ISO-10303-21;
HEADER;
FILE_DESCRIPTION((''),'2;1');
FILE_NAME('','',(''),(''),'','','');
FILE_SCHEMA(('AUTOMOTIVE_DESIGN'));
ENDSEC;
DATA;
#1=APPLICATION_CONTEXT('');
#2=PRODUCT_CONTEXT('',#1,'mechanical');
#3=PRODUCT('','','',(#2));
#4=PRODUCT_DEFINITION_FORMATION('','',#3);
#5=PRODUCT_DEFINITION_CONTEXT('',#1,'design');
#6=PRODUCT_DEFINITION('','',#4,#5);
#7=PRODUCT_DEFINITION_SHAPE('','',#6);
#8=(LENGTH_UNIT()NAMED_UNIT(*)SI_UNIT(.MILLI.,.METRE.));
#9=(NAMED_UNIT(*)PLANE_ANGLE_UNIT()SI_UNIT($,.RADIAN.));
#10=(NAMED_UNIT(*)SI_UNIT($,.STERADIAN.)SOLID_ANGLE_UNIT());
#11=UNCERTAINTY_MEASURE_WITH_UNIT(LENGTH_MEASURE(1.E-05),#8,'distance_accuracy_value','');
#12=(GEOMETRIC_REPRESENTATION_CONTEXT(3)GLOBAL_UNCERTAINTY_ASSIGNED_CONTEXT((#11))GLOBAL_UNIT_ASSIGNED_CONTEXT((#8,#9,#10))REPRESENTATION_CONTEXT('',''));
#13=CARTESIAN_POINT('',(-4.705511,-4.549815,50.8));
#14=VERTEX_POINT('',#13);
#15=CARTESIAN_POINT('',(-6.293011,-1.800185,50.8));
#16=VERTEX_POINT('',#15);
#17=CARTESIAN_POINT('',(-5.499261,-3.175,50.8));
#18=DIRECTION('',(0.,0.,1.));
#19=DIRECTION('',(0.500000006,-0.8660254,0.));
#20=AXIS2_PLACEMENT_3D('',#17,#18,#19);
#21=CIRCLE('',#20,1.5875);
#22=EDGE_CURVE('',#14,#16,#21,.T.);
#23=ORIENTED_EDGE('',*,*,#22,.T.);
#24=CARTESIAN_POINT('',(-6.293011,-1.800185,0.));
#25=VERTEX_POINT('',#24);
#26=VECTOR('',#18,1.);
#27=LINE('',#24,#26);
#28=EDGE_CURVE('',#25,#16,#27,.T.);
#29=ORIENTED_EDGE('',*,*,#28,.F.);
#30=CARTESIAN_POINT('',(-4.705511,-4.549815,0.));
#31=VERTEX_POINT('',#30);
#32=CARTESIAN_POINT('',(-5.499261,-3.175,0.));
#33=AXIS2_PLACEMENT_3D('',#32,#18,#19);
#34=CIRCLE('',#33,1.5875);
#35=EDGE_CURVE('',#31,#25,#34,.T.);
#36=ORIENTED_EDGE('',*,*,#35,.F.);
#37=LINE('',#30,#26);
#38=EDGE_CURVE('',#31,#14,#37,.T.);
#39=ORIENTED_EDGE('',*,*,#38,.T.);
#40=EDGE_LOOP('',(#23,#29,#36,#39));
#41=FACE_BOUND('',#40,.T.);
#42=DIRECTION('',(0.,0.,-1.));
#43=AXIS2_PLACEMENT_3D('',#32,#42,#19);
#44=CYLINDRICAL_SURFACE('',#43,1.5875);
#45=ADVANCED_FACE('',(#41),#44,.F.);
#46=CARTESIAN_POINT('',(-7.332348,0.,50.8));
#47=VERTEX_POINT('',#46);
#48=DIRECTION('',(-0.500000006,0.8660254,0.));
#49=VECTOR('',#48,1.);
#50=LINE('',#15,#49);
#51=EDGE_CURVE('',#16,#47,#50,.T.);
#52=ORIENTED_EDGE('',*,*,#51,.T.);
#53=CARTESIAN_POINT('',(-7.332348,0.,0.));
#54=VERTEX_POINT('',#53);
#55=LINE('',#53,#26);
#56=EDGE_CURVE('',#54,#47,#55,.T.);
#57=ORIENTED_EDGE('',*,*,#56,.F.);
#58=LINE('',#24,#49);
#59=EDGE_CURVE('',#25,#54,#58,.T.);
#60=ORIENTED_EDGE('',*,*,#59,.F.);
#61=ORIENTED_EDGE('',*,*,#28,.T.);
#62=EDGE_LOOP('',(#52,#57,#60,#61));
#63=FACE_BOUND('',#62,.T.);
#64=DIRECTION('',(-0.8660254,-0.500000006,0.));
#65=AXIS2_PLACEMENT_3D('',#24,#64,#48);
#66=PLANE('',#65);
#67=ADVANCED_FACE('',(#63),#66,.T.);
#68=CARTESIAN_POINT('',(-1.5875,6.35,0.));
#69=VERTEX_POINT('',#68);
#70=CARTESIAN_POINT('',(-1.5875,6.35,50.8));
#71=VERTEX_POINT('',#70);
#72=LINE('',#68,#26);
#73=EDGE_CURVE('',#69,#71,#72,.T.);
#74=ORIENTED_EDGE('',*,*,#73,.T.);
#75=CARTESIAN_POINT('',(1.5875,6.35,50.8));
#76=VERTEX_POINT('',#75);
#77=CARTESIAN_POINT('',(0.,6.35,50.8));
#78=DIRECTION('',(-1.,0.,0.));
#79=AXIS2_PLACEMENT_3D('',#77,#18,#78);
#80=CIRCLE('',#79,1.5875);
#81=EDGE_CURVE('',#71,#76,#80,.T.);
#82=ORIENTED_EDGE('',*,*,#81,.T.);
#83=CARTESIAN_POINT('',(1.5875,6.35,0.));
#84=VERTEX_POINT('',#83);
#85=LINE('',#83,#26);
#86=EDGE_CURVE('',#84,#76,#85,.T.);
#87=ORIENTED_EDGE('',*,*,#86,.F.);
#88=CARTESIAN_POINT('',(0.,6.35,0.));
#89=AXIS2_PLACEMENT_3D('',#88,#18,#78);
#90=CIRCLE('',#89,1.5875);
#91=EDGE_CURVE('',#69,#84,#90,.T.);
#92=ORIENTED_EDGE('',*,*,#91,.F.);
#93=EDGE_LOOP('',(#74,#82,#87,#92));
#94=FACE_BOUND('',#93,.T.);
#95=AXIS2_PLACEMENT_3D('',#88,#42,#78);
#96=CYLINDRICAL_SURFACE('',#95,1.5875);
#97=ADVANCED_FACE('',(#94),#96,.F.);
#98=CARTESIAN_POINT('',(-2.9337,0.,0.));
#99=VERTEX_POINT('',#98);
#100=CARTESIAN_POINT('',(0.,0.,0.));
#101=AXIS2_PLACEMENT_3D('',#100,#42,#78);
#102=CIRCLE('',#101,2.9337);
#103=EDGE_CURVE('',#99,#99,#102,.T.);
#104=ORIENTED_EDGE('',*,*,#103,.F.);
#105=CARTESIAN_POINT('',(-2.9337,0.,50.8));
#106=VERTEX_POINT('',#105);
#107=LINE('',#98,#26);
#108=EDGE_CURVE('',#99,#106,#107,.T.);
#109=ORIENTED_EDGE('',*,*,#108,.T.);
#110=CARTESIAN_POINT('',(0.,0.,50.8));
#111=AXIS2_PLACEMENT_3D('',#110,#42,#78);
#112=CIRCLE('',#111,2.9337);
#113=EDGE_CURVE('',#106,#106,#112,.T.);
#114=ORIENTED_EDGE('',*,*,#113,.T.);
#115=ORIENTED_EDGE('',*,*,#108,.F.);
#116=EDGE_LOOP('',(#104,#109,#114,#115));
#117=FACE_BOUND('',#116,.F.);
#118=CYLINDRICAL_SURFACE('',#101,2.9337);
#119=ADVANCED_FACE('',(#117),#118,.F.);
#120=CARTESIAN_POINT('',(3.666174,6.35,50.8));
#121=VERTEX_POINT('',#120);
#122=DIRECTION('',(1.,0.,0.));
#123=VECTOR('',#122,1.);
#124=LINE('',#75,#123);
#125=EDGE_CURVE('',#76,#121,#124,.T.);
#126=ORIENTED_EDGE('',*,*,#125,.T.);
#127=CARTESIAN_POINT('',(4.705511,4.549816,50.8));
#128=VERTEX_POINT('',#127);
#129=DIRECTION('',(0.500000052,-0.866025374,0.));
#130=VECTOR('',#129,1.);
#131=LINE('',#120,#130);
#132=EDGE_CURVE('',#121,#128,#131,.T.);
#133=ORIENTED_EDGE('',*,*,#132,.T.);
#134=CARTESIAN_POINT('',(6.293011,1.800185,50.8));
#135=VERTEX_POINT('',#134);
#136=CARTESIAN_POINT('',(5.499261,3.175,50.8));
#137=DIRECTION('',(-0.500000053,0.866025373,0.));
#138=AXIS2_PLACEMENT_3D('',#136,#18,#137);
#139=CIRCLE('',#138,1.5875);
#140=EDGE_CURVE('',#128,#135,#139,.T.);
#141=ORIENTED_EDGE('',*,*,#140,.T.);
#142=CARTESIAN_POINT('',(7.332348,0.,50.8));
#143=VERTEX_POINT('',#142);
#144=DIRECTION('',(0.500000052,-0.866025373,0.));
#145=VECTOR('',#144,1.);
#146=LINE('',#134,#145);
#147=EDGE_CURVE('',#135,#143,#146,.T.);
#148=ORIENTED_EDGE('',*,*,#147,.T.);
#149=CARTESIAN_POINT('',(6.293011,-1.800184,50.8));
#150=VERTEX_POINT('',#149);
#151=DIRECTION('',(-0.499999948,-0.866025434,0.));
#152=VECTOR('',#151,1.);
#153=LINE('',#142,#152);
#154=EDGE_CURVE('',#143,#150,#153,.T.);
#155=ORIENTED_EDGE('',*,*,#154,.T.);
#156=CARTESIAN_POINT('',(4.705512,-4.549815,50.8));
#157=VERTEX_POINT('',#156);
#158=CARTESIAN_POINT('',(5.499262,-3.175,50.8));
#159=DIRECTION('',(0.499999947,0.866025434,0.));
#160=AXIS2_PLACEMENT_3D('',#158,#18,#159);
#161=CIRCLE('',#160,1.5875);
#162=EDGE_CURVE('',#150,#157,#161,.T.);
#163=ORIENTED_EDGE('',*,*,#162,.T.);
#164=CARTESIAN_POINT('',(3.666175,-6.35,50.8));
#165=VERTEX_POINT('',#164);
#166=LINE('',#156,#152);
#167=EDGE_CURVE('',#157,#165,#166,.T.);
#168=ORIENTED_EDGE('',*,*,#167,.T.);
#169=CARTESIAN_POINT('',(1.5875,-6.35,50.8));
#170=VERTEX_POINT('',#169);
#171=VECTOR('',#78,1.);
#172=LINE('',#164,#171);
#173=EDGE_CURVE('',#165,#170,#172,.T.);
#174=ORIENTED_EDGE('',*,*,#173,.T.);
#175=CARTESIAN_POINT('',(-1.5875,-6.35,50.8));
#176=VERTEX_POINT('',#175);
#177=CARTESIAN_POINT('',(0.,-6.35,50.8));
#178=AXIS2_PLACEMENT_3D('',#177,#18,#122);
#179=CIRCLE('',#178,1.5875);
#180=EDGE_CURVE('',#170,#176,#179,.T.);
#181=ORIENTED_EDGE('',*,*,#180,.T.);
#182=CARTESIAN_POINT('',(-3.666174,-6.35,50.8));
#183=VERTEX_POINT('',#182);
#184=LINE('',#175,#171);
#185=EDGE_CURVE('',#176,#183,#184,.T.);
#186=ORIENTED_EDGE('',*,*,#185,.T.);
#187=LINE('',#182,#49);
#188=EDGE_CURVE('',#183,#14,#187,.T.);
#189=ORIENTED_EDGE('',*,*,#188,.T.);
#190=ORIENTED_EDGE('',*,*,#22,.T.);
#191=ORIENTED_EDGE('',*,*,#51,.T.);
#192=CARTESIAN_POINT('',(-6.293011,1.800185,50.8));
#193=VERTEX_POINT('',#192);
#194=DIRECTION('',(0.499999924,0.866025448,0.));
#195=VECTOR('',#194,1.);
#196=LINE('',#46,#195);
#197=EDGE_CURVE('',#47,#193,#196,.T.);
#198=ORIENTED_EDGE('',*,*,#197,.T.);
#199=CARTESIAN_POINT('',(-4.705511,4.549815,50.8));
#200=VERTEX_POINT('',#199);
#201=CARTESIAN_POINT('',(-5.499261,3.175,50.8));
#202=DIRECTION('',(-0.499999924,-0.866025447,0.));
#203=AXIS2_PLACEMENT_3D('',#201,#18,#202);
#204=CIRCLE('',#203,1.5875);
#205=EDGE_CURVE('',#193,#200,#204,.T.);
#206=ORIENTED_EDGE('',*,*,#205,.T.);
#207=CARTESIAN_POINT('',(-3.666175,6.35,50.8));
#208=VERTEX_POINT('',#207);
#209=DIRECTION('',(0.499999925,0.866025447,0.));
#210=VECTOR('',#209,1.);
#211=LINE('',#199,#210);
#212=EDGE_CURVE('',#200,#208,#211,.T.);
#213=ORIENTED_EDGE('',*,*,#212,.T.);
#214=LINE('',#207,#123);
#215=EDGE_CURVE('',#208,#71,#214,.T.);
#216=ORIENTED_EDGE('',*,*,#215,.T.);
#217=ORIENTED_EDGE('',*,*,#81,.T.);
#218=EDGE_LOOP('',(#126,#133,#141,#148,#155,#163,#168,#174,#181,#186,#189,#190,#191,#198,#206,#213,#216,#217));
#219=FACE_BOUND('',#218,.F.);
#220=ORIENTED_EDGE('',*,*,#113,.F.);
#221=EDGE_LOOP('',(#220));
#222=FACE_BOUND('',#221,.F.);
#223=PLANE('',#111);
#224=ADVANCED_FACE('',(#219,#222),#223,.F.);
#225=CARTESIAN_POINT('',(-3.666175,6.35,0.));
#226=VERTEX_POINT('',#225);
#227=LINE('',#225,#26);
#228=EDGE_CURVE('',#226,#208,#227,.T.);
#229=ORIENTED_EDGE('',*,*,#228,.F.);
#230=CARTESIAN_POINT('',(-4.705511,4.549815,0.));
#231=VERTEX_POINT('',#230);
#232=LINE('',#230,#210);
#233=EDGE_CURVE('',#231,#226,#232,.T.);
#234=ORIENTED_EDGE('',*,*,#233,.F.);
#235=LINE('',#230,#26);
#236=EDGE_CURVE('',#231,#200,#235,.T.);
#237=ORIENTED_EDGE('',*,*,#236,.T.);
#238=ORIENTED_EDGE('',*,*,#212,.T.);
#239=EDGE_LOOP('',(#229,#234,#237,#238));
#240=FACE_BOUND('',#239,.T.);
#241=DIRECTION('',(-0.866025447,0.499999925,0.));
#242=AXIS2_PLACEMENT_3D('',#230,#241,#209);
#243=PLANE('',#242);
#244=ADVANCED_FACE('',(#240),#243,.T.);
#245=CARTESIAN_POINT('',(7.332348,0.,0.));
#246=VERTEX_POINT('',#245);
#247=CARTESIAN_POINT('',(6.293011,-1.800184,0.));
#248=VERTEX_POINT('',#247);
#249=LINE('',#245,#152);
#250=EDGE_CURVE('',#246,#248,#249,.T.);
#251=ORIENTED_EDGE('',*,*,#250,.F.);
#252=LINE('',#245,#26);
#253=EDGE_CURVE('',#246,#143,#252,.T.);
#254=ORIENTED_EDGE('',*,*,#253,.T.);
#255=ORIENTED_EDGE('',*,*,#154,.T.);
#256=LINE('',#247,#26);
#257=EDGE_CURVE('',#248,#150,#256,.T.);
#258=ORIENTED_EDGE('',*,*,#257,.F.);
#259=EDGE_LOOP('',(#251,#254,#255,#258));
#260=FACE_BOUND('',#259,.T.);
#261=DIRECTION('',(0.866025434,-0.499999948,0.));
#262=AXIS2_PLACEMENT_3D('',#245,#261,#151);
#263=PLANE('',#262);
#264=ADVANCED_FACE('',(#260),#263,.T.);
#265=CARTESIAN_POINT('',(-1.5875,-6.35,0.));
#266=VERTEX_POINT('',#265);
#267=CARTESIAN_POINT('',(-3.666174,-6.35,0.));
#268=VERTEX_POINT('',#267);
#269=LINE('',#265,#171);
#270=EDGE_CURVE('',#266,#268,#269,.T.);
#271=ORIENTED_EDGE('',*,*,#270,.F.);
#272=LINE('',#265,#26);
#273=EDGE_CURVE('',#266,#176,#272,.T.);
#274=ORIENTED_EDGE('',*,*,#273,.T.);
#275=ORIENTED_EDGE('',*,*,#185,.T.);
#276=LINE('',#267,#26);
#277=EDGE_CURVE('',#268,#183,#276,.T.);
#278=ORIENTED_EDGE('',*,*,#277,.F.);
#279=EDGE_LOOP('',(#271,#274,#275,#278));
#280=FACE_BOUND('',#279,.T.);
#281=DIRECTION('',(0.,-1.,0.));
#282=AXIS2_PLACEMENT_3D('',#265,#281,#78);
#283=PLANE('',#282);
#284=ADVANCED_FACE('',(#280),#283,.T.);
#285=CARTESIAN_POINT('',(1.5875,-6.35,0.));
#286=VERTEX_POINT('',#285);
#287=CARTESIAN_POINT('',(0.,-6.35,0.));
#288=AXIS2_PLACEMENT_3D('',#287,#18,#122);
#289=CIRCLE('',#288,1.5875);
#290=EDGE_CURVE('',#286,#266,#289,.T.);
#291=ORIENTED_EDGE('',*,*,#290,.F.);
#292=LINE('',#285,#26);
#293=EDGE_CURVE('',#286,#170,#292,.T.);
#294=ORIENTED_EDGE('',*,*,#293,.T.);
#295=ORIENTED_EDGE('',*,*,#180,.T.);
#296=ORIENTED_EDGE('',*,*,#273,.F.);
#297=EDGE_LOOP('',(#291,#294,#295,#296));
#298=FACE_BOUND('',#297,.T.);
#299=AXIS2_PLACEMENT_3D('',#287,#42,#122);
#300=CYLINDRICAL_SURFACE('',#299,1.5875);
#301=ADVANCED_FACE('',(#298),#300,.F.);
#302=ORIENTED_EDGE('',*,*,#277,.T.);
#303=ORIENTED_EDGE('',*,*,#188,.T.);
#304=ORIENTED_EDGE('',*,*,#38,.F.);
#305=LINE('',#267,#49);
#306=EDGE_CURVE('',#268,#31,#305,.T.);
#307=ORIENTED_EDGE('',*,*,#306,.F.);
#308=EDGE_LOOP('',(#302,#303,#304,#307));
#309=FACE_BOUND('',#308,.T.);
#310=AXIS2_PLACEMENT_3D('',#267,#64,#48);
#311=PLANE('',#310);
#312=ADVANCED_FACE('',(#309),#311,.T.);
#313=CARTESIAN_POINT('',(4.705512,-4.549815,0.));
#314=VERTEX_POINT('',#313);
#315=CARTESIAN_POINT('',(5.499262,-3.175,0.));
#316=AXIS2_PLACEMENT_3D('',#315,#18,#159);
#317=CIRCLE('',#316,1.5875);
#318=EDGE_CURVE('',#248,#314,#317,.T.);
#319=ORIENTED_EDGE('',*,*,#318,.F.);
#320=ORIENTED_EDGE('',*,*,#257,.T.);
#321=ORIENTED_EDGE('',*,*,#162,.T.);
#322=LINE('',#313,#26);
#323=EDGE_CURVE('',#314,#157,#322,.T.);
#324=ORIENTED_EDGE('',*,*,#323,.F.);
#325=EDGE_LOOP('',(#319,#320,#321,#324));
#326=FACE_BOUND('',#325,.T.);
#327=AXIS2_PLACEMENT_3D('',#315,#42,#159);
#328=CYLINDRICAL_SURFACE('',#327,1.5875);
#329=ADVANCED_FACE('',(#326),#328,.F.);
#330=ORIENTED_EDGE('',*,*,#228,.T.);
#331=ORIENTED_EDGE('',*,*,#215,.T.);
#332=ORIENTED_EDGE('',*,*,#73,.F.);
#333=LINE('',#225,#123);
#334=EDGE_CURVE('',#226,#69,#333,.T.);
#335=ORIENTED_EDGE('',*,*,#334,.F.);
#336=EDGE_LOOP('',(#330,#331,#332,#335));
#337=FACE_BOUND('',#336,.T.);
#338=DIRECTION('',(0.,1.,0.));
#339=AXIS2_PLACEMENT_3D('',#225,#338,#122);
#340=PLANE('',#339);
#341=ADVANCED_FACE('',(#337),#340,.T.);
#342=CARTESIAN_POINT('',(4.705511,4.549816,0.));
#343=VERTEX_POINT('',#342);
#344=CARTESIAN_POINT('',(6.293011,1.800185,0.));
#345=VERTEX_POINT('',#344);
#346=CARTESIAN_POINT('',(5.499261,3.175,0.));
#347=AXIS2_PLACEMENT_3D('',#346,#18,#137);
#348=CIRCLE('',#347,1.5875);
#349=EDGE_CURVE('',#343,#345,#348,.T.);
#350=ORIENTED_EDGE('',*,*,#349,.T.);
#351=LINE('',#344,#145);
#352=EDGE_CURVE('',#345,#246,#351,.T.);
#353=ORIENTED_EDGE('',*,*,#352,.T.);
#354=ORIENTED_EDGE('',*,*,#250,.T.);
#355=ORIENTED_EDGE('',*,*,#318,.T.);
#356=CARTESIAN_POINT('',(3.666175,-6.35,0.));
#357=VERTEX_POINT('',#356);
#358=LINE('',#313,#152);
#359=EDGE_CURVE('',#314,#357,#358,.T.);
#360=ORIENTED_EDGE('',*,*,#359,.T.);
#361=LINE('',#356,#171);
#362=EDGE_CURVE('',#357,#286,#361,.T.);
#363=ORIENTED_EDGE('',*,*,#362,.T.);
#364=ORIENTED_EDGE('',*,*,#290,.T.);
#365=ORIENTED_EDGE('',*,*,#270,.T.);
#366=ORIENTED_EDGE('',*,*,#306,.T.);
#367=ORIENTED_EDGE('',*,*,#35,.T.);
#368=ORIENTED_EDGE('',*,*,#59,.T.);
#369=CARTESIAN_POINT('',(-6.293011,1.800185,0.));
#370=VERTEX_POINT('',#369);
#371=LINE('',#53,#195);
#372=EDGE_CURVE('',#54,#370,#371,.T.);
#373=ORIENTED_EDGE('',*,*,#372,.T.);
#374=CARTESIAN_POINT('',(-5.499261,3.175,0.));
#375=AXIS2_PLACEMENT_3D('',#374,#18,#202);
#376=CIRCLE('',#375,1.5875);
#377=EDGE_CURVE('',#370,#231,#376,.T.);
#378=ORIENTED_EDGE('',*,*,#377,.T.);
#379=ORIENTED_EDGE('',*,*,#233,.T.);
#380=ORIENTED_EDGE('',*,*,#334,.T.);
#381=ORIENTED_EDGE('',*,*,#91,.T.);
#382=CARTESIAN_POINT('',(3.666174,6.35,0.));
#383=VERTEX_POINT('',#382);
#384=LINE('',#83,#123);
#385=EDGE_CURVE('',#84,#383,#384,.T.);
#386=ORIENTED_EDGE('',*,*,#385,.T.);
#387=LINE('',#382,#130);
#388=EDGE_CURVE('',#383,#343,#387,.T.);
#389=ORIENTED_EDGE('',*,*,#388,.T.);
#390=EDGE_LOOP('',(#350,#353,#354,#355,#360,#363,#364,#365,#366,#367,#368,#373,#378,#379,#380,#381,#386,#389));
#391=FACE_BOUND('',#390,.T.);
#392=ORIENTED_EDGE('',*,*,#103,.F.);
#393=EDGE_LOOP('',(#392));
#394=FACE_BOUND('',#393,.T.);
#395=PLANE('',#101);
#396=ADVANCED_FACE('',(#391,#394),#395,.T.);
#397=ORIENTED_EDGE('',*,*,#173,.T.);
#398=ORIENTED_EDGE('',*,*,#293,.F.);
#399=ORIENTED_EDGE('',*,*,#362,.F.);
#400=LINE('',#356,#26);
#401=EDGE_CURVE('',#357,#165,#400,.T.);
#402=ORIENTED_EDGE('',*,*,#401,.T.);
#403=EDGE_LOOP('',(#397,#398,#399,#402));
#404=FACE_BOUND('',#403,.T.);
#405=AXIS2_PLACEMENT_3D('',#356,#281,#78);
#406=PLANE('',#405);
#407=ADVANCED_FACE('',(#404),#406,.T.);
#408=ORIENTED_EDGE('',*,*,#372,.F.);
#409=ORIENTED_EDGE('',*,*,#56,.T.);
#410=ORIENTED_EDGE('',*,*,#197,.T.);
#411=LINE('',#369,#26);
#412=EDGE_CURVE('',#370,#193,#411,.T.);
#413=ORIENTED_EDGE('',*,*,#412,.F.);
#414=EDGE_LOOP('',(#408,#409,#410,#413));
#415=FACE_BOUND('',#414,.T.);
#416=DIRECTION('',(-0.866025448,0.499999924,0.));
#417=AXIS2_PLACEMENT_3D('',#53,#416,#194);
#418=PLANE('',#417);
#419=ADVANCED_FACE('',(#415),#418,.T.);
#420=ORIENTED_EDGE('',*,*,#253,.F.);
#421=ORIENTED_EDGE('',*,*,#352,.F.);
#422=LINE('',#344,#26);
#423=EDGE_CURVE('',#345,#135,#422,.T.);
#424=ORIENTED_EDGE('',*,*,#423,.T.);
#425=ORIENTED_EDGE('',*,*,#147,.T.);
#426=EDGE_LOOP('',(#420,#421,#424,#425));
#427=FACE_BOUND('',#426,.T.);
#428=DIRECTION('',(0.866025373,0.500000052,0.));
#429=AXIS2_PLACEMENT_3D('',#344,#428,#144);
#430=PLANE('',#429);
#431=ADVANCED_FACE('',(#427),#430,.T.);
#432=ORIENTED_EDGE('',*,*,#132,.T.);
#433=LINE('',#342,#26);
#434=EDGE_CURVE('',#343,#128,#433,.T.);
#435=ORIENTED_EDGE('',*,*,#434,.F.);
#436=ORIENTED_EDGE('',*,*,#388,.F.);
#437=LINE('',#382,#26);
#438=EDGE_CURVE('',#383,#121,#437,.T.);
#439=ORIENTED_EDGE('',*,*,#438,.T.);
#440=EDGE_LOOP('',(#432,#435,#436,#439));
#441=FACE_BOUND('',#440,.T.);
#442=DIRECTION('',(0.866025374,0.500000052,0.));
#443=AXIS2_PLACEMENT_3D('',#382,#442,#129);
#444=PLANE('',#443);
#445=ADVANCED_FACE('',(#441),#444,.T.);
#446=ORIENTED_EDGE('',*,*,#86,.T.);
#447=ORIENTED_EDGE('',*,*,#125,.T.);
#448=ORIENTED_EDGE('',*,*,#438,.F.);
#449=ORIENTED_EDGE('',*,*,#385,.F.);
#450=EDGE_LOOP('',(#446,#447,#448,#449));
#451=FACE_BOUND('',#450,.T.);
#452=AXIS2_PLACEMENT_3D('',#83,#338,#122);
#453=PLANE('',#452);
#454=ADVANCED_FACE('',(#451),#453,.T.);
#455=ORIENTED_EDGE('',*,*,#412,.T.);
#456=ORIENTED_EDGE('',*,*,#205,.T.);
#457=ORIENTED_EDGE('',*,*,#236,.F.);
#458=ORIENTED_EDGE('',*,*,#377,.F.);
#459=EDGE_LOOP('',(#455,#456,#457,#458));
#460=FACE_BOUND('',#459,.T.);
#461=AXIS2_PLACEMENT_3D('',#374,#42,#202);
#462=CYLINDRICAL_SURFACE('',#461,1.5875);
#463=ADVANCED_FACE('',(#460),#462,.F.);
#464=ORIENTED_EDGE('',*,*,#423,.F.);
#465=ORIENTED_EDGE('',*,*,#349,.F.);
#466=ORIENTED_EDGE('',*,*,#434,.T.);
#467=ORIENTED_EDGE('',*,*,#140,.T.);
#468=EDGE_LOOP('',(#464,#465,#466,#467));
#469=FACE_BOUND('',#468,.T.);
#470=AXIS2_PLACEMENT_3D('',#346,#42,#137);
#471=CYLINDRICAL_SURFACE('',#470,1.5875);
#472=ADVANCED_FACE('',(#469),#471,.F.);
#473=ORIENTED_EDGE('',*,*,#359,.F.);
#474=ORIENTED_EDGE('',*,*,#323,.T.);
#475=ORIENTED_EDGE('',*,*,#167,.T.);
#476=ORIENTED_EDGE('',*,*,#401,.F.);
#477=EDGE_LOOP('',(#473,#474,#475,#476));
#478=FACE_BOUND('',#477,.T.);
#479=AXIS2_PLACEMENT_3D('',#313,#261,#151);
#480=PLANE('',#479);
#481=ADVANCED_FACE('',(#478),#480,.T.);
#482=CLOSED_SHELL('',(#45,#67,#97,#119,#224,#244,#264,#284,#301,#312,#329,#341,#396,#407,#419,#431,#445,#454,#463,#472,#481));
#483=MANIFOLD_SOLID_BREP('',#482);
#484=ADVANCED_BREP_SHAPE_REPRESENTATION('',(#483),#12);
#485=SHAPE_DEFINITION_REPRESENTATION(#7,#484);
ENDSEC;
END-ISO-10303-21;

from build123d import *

# Parameters (mm, degrees)
SKETCH1_R           = 2.9337
BOSS_EXTRUDE1_DEPTH = 50.8


with BuildPart() as part:
    # Sketch1 → Boss-Extrude1 (new body)
    with BuildSketch(Plane(origin=(0, 0, 0), x_dir=(-1, 0, 0), z_dir=(0, 0, -1))):
        with BuildLine():
            Line((-4.70551159, -4.549815043), (-3.666174521, -6.349999904))
            Line((-3.666174521, -6.349999904), (-1.587500385, -6.349999904))
            ThreePointArc((-1.587500385, -6.349999904), (-3.85e-07, -4.762499904), (1.587499615, -6.349999904))
            Line((1.587499615, -6.349999904), (3.666173825, -6.349999904))
            Line((3.666173825, -6.349999904), (4.705510942, -4.54981524))
            ThreePointArc((4.705510942, -4.54981524), (4.124445629, -2.381249907), (6.293010962, -1.800184594))
            Line((6.293010962, -1.800184594), (7.332348079, 7e-08))
            Line((7.332348079, 7e-08), (6.293011217, 1.800184685))
            ThreePointArc((6.293011217, 1.800184685), (4.124445939, 2.381250203), (4.705511457, 4.549815481))
            Line((4.705511457, 4.549815481), (3.666174521, 6.350000222))
            Line((3.666174521, 6.350000222), (1.587500385, 6.350000222))
            ThreePointArc((1.587500385, 6.350000222), (3.85e-07, 4.762500222), (-1.587499615, 6.350000222))
            Line((-1.587499615, 6.350000222), (-3.666173825, 6.350000222))
            Line((-3.666173825, 6.350000222), (-4.705511038, 4.549815614))
            ThreePointArc((-4.705511038, 4.549815614), (-4.124445841, 2.38125025), (-6.293011205, 1.800185053))
            Line((-6.293011205, 1.800185053), (-7.332348419, 4.44e-07))
            Line((-7.332348419, 4.44e-07), (-6.293011423, -1.80018429))
            ThreePointArc((-6.293011423, -1.80018429), (-4.12444613, -2.38124975), (-4.70551159, -4.549815043))
        make_face()
        Circle(SKETCH1_R, mode=Mode.SUBTRACT)
    extrude(amount=-BOSS_EXTRUDE1_DEPTH)


solid = part.part
